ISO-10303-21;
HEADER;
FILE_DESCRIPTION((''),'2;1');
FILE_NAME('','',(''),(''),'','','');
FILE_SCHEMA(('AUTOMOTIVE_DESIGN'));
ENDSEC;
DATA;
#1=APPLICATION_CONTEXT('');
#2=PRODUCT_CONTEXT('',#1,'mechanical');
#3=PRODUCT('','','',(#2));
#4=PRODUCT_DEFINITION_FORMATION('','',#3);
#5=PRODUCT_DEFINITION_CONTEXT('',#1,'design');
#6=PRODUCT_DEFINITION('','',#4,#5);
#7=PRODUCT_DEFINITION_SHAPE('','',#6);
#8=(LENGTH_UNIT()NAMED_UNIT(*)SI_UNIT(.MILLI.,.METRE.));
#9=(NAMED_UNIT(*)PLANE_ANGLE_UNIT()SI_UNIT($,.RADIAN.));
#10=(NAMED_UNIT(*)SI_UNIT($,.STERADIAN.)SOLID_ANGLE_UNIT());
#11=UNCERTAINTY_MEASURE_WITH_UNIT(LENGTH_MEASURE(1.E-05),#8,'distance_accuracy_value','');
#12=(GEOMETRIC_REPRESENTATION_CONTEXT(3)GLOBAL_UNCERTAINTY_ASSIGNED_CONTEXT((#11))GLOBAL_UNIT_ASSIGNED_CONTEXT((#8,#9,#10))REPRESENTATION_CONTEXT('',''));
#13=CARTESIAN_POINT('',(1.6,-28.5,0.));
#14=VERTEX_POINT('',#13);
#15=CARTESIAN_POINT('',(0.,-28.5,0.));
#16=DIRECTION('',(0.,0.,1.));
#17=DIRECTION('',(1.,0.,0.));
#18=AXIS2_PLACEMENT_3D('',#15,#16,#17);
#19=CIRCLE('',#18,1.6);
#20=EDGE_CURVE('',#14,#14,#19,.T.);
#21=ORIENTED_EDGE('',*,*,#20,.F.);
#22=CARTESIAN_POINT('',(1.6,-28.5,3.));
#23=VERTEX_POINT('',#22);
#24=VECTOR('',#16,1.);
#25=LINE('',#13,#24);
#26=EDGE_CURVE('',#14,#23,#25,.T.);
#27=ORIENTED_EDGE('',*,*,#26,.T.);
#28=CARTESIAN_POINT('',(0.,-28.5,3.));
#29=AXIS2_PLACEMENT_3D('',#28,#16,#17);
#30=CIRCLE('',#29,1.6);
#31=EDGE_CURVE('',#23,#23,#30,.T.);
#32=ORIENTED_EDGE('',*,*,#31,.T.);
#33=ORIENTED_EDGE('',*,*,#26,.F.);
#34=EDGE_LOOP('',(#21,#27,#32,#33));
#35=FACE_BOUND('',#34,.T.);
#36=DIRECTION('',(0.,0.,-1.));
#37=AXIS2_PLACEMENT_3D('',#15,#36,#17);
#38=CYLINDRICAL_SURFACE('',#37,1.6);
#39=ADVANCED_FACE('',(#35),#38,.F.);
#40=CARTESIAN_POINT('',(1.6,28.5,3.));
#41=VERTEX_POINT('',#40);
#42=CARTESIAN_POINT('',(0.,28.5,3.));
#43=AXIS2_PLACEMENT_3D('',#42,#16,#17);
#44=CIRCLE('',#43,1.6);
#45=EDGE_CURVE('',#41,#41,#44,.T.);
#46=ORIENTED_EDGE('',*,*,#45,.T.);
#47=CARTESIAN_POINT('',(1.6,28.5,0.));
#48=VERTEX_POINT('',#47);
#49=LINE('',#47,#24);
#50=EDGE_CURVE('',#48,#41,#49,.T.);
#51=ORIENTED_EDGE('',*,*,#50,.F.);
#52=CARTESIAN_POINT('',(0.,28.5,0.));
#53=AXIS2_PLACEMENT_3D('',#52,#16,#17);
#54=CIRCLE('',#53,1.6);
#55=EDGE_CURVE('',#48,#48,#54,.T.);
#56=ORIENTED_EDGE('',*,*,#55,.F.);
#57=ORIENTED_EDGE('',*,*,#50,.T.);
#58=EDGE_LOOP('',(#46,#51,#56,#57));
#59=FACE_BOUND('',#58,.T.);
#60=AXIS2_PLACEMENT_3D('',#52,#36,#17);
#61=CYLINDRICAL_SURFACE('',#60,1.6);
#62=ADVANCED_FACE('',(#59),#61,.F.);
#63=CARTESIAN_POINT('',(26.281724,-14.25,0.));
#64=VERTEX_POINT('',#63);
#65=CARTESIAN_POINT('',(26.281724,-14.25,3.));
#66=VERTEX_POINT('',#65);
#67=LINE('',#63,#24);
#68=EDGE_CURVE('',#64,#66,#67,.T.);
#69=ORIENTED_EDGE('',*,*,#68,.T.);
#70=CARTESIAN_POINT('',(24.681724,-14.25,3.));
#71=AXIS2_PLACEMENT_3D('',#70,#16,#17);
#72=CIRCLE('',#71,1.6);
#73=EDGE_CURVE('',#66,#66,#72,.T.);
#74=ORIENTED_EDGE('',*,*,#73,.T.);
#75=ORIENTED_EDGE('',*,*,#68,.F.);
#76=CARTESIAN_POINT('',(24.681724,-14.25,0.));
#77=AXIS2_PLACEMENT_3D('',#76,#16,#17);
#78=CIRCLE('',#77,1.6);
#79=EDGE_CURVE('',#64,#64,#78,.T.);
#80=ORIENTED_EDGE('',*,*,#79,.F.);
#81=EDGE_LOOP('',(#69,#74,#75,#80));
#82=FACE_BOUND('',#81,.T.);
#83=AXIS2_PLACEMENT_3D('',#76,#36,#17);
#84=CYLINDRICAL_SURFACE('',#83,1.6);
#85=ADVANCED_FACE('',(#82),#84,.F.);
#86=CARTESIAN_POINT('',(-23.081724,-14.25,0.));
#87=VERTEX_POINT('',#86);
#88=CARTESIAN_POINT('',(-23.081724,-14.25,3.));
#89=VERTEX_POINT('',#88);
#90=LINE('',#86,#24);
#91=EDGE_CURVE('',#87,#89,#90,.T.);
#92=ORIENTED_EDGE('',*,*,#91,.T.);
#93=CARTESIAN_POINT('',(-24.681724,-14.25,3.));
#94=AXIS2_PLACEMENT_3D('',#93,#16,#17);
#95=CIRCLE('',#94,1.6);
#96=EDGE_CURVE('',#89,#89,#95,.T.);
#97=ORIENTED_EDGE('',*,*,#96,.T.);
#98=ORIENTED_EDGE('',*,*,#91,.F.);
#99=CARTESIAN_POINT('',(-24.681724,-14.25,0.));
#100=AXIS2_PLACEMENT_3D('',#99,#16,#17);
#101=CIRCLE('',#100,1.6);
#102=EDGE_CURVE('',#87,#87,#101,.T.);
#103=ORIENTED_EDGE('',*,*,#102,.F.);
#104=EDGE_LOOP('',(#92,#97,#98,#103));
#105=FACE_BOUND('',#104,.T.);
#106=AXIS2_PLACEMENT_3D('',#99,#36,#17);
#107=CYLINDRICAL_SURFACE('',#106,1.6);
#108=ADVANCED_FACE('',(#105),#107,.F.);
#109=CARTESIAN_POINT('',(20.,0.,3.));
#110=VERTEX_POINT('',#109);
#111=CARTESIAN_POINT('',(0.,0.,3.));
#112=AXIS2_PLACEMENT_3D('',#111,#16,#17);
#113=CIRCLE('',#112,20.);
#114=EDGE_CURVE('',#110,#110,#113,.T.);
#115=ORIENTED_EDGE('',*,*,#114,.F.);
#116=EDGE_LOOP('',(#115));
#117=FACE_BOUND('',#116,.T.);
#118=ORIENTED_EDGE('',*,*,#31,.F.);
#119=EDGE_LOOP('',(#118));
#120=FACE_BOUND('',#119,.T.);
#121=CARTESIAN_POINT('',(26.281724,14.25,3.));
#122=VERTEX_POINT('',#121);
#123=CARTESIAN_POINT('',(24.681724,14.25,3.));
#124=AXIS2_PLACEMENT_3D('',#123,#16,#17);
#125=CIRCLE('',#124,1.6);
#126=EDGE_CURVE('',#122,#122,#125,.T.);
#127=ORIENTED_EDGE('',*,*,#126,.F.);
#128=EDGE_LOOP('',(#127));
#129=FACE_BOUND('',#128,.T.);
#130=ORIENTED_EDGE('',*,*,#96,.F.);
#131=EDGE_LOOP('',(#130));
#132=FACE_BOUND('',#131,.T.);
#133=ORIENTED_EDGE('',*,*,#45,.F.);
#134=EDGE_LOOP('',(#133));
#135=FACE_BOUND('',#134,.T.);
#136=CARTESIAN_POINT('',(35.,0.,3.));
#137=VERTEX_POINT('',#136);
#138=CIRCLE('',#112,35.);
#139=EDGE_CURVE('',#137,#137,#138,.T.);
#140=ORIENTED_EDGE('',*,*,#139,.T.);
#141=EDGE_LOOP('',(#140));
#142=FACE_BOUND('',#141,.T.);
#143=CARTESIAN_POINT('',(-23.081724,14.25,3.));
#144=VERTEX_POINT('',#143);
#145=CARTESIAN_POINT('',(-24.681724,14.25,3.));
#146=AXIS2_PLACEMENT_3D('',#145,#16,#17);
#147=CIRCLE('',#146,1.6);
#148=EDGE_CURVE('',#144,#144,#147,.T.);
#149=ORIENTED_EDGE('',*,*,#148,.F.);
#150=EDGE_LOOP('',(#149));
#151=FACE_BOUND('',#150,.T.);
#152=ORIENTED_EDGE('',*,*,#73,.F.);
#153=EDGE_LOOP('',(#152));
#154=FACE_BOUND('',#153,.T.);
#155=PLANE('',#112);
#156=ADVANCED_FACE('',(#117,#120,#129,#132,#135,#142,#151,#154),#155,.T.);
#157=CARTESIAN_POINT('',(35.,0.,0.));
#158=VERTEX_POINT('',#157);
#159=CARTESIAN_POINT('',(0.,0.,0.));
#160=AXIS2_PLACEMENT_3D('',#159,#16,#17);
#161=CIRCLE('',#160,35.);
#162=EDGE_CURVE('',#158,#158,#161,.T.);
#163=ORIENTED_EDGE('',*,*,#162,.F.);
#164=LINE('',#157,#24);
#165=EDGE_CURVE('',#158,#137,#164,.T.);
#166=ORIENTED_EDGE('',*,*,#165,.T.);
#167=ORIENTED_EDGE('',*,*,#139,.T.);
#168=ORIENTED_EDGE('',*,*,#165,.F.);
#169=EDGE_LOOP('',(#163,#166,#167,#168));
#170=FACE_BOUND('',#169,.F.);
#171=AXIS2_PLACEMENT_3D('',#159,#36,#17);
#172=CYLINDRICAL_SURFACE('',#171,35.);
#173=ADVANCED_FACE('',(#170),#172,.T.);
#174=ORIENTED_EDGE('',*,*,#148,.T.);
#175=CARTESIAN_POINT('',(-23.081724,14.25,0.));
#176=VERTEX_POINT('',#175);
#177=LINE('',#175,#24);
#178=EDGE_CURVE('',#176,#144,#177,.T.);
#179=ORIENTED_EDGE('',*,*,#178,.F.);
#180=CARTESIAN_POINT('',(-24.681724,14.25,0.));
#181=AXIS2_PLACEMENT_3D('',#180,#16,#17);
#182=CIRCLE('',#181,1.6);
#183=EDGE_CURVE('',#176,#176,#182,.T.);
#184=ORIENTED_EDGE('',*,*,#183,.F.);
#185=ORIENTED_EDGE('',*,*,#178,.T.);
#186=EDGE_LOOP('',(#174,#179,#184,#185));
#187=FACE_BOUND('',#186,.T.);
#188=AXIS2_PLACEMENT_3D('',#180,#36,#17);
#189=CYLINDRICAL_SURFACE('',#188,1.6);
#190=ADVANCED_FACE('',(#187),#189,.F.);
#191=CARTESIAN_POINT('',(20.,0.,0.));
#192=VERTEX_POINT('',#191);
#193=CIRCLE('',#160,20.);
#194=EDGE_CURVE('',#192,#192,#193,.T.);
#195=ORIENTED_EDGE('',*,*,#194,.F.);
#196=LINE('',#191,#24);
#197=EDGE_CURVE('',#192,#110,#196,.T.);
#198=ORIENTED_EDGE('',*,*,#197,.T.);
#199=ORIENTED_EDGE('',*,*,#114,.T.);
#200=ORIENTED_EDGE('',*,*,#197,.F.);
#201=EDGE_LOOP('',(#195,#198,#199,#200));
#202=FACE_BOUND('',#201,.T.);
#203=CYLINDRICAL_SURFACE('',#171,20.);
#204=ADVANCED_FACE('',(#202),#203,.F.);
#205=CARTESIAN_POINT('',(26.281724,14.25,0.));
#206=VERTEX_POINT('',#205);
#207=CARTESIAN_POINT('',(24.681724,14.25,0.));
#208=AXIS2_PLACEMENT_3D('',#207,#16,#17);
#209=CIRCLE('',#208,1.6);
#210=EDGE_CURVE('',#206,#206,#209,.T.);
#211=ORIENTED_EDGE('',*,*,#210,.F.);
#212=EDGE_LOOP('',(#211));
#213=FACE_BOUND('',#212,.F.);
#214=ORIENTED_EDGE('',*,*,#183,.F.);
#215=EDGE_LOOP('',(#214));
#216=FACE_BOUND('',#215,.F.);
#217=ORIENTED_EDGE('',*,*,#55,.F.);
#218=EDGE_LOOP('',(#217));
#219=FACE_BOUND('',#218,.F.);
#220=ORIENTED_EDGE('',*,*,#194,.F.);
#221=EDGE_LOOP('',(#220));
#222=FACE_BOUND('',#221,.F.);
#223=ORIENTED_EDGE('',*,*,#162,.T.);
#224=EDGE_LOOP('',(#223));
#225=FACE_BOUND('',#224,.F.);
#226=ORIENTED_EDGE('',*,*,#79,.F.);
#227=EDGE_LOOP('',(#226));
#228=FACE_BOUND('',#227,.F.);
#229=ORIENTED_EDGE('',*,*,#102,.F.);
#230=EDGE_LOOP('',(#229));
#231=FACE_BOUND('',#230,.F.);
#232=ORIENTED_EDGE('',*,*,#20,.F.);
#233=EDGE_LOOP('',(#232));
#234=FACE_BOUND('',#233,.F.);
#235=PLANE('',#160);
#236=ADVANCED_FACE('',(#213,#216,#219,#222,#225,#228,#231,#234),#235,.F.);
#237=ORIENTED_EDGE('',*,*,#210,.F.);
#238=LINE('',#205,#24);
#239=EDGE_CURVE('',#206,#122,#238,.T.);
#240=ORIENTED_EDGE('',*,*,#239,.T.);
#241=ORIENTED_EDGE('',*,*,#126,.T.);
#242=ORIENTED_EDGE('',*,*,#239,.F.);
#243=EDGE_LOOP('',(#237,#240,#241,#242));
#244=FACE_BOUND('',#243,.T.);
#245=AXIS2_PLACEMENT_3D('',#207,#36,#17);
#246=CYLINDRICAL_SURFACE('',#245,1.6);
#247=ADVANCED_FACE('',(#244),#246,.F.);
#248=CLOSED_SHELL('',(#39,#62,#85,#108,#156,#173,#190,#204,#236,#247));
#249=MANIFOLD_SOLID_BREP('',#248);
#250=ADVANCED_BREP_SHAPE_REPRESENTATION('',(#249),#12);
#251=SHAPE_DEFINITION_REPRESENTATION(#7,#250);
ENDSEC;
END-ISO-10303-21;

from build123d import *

# Parameters (mm, degrees)
F0_R     = 22.5
F0_R_2   = 20
F1_DEPTH = 3
F0_R_3   = 35
F0_R_4   = 1.6
F2_DEPTH = 3


with BuildPart() as f1:
    # F0 (on Top) → F1 (new body)
    with BuildSketch(Plane.XY):
        Circle(F0_R)
        Circle(F0_R_2, mode=Mode.SUBTRACT)
    extrude(amount=F1_DEPTH)

    # F0 (on Top) → F2 (join)
    with BuildSketch(Plane.XY):
        Circle(F0_R_3)
        with Locations((-24.681724, -14.25)):
            Circle(F0_R_4, mode=Mode.SUBTRACT)
        with Locations((0, -28.5)):
            Circle(F0_R_4, mode=Mode.SUBTRACT)
        with Locations((24.681724, -14.25)):
            Circle(F0_R_4, mode=Mode.SUBTRACT)
        with Locations((-24.681724, 14.25)):
            Circle(F0_R_4, mode=Mode.SUBTRACT)
        Circle(F0_R, mode=Mode.SUBTRACT)
        with Locations((24.681724, 14.25)):
            Circle(F0_R_4, mode=Mode.SUBTRACT)
        with Locations((0, 28.5)):
            Circle(F0_R_4, mode=Mode.SUBTRACT)
    extrude(amount=F2_DEPTH)


solid = f1.part
